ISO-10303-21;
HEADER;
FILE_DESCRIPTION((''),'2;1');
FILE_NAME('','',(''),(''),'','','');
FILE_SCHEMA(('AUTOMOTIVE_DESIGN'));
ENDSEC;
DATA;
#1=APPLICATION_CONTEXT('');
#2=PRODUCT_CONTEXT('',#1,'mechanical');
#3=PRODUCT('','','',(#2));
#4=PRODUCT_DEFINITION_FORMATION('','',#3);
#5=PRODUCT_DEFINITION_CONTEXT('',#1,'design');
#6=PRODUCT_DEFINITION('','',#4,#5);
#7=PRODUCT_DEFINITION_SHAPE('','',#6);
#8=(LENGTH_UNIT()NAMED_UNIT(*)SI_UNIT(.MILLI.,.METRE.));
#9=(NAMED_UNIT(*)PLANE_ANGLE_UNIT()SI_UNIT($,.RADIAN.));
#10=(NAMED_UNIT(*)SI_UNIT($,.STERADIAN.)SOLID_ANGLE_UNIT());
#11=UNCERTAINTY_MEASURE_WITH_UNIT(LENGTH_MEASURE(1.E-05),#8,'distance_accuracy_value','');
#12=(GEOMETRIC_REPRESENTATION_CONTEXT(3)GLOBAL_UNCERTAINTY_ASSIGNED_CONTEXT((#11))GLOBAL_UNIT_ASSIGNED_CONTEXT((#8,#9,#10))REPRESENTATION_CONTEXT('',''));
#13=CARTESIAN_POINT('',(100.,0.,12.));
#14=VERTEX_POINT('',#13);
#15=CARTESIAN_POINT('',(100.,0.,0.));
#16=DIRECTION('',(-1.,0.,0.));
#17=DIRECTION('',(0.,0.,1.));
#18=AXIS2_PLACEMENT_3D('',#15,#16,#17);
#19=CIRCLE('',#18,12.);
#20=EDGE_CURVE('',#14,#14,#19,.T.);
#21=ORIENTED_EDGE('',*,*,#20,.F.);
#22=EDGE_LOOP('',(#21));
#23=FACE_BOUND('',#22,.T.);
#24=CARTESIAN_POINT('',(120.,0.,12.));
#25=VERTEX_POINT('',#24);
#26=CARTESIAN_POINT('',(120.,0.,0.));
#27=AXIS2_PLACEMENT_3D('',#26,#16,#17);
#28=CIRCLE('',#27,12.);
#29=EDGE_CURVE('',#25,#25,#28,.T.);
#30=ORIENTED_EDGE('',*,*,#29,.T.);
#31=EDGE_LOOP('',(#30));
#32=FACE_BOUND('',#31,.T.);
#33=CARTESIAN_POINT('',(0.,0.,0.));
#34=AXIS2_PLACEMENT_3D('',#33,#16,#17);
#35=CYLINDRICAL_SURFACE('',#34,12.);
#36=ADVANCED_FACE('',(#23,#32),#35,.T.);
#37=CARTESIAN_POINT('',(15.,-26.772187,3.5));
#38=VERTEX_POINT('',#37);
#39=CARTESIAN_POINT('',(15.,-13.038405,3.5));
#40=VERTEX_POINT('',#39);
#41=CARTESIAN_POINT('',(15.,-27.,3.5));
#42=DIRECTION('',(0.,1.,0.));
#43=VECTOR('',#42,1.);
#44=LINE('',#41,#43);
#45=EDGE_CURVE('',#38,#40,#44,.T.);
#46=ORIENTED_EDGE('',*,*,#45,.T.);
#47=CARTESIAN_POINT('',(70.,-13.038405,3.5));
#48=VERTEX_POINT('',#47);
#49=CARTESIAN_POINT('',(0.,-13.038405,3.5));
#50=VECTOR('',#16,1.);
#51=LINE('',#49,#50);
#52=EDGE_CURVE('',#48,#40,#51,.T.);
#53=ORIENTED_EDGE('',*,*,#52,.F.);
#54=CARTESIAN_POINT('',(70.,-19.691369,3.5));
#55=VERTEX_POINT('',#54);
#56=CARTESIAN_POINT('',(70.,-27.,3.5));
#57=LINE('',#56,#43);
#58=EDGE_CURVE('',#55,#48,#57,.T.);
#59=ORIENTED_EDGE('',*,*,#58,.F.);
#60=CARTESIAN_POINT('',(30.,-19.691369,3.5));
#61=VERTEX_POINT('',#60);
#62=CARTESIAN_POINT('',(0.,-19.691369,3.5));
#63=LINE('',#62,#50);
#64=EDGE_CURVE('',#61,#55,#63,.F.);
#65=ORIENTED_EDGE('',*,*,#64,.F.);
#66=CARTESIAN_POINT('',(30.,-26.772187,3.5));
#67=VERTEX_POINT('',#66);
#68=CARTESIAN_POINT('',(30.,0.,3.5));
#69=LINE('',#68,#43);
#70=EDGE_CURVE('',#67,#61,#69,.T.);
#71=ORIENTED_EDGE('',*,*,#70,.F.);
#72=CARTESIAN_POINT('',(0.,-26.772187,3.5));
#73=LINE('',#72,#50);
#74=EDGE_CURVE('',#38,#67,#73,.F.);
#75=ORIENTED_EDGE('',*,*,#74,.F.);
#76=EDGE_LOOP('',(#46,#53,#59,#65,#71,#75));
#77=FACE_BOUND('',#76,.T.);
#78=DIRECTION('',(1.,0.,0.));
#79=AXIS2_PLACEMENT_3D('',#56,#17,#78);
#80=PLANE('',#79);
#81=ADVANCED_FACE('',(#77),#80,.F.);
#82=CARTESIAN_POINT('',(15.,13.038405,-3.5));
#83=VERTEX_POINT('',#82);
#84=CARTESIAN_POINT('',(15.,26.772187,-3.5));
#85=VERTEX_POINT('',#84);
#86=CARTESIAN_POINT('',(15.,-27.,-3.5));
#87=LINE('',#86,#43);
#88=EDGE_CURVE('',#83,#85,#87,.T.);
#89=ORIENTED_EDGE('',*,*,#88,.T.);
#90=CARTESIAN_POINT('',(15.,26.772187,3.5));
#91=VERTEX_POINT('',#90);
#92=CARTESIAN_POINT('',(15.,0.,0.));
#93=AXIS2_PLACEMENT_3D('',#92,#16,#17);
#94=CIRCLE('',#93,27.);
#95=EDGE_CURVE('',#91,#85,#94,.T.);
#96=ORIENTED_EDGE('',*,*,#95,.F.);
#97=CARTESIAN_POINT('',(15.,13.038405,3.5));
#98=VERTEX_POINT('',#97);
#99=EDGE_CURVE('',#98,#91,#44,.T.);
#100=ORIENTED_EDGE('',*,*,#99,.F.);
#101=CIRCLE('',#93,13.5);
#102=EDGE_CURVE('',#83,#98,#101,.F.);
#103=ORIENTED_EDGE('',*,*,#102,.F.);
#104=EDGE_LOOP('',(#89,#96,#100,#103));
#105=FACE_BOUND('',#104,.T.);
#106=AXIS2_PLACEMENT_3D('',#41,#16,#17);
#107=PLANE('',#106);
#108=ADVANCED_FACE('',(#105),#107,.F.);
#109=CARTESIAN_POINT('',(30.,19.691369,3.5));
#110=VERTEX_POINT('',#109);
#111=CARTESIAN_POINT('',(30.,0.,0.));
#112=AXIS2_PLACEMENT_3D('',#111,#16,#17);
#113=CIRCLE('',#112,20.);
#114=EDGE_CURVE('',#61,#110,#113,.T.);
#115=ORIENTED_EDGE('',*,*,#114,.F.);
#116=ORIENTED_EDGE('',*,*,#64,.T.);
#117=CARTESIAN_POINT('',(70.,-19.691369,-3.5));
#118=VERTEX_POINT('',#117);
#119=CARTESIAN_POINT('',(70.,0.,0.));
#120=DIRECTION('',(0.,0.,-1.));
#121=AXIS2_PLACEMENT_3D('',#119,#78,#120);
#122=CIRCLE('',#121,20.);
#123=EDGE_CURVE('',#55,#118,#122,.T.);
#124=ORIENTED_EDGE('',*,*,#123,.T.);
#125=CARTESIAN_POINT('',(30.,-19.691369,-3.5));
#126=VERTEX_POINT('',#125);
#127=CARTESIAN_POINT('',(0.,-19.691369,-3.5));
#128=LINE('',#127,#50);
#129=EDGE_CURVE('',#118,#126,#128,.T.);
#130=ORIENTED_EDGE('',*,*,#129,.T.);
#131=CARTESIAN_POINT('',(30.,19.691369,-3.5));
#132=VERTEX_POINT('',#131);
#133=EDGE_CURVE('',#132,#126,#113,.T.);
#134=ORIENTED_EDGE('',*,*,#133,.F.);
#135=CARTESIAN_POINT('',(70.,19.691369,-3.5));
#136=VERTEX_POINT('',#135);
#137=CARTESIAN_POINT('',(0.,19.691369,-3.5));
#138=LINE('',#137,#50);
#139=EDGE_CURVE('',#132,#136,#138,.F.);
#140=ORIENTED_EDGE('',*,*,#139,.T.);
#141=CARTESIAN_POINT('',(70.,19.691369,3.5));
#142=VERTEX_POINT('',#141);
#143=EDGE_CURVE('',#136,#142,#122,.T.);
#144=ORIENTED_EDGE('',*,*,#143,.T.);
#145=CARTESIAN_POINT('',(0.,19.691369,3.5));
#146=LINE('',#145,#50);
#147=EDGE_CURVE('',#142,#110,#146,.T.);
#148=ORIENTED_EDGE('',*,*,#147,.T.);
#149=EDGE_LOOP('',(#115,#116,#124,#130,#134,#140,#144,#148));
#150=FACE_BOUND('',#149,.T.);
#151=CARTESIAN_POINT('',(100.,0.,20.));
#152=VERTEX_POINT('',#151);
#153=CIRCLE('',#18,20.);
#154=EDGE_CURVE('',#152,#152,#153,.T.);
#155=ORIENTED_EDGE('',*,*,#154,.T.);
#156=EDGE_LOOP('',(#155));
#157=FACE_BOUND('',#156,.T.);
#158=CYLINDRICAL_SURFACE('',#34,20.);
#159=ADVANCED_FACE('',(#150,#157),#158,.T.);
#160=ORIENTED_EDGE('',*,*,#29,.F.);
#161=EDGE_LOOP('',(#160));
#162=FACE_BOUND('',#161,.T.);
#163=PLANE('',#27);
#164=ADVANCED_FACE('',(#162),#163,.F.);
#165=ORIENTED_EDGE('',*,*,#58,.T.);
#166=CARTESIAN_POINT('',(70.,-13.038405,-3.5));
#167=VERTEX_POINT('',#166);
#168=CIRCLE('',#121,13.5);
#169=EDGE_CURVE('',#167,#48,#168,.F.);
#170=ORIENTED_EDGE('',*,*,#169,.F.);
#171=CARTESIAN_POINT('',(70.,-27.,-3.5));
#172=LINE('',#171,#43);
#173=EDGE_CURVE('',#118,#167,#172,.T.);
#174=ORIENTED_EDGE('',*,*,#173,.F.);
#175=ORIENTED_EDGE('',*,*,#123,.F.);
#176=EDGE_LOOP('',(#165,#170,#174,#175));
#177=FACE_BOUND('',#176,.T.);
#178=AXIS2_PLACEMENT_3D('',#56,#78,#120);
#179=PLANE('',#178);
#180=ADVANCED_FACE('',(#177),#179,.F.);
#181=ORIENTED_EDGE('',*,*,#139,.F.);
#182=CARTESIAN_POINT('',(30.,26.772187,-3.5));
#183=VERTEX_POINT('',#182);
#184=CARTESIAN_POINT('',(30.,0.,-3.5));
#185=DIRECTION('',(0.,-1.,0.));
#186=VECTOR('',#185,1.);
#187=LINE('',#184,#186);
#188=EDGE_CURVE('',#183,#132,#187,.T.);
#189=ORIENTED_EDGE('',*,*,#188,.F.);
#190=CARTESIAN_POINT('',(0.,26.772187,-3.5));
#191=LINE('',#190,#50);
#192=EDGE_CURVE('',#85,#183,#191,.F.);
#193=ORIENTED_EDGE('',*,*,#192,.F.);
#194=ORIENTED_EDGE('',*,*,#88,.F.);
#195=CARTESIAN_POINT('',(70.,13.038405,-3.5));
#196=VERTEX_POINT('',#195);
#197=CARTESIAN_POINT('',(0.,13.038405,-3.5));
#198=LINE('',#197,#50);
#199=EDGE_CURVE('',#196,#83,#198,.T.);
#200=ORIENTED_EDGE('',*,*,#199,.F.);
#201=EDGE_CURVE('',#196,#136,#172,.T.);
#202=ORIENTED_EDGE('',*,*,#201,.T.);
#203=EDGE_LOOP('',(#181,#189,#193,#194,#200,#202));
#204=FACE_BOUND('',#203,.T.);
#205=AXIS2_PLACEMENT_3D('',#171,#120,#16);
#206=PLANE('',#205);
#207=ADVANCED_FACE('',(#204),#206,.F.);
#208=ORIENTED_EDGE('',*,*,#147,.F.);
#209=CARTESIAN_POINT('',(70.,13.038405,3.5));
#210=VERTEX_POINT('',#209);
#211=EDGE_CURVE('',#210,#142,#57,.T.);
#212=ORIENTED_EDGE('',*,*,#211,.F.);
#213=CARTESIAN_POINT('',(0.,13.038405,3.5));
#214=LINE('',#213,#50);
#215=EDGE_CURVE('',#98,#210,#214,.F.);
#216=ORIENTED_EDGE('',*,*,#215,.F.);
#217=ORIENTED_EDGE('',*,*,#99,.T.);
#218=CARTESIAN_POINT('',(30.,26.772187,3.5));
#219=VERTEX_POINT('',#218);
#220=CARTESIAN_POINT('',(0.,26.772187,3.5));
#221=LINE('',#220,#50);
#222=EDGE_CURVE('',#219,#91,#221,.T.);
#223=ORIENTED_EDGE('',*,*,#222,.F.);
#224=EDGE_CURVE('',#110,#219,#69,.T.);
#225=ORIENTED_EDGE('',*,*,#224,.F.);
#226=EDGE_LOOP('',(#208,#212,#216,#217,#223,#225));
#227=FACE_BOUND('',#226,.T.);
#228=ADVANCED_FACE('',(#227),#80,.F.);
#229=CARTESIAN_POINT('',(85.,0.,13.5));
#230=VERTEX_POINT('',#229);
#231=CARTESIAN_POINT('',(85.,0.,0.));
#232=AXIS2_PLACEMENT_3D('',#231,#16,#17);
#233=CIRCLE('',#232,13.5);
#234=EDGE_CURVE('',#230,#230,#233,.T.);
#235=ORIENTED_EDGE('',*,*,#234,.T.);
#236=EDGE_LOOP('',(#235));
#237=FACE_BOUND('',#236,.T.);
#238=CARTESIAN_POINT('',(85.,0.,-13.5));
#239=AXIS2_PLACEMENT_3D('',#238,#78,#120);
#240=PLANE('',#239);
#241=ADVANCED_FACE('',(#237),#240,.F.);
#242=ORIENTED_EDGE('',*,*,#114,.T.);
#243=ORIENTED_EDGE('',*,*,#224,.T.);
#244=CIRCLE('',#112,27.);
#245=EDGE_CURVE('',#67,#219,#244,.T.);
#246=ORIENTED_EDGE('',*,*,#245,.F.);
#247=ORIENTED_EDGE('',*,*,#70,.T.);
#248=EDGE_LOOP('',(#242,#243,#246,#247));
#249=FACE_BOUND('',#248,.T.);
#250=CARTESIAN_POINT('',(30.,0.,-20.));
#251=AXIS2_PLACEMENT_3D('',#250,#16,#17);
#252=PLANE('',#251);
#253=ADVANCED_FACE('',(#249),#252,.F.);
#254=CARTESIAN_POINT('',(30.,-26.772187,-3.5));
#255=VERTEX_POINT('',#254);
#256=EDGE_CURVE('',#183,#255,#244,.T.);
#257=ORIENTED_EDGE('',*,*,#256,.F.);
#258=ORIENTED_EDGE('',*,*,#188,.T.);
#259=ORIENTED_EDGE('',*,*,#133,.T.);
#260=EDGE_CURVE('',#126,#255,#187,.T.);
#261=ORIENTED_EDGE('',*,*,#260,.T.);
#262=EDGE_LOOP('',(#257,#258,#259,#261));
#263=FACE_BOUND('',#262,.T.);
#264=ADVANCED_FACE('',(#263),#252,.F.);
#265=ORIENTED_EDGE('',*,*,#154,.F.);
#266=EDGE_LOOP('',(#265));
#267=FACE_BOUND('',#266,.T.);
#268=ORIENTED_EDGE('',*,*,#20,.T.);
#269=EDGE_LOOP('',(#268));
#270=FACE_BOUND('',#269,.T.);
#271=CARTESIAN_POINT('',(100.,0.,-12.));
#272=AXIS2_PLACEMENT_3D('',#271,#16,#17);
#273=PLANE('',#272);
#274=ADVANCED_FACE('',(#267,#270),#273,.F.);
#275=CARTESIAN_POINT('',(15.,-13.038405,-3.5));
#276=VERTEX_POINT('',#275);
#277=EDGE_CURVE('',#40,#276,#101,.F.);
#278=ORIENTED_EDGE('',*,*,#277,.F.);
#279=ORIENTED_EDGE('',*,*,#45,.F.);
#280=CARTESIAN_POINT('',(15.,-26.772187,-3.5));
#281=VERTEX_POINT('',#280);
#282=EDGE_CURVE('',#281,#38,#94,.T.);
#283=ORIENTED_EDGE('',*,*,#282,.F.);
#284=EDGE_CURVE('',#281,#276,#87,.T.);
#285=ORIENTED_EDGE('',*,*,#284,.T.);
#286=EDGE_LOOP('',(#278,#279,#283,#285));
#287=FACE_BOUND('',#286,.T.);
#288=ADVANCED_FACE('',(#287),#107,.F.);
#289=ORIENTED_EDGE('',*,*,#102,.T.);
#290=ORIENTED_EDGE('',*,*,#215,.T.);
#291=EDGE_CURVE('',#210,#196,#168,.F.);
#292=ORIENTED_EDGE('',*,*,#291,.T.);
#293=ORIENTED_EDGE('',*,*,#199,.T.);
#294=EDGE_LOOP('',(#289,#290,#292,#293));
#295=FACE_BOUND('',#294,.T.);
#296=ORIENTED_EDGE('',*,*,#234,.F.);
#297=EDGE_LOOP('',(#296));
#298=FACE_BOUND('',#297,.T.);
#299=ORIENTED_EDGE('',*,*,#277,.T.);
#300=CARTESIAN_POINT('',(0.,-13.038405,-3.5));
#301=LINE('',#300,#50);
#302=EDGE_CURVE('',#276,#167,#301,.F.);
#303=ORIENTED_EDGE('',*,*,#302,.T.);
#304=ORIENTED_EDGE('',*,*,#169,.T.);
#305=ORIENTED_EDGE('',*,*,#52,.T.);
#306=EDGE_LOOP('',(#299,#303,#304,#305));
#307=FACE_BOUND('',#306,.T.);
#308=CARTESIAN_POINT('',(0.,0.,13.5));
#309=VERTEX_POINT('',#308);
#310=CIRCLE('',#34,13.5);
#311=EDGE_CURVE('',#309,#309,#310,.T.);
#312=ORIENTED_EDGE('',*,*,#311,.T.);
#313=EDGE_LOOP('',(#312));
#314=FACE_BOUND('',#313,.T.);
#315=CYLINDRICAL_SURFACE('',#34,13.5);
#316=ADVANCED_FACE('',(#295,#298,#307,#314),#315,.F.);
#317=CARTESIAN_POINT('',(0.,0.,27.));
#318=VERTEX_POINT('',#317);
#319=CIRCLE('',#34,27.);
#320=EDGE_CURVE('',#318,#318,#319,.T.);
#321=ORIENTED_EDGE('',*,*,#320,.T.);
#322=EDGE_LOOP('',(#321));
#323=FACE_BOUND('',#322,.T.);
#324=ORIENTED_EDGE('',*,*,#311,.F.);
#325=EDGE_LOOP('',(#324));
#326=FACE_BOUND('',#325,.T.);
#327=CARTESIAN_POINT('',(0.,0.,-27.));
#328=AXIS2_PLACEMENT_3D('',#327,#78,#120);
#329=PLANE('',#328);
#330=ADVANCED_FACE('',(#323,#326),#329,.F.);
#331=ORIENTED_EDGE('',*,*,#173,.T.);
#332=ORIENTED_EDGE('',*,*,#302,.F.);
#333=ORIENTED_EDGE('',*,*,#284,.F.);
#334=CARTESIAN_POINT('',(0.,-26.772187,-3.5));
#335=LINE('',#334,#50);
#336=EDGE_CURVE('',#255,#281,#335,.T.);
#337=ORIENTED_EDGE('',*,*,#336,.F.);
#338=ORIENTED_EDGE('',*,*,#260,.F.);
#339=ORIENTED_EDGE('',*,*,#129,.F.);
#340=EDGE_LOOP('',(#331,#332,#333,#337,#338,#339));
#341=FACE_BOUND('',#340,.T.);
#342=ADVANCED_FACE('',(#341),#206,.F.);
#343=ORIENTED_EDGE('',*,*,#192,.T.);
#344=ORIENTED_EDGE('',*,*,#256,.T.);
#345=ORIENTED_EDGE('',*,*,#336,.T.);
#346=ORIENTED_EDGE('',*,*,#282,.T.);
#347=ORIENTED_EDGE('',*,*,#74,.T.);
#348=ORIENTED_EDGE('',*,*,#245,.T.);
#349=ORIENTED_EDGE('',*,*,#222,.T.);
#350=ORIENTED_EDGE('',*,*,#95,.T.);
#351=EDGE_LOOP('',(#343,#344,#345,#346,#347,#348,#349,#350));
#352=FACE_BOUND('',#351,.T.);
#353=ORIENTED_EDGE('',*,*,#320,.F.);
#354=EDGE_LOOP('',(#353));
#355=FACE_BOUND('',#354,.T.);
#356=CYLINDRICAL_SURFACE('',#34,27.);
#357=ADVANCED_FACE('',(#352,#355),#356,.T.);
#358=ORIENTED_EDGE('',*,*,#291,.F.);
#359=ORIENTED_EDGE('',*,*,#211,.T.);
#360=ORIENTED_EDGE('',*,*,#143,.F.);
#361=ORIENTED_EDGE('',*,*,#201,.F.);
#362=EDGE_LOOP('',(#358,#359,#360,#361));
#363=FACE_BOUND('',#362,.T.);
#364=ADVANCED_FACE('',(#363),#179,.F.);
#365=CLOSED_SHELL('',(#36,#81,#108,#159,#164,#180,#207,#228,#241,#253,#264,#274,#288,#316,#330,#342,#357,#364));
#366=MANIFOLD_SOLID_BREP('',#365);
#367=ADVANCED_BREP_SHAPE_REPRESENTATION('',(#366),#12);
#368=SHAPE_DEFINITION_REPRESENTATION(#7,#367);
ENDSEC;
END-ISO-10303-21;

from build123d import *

# Parameters (mm, degrees)
CUT_EXTRUDE1_DEPTH      = 126.928551171
CUT_EXTRUDE1_DEPTH_BACK = 126.928551171
SKETCH2_W               = 55
SKETCH2_H               = 7


with BuildPart() as part:
    # Sketch1 → Revolve1 (revolve)
    with BuildSketch(Plane(origin=(0, 0, 0), x_dir=(1, 0, 0), z_dir=(0, 1, 0)), mode=Mode.PRIVATE) as revolve1_sk:
        Polygon((120, 0), (120, 12), (100, 12), (100, 20), (30, 20), (30, 27), (0, 27), (0, 13.5), (85, 13.5), (85, 0), align=None)
    revolve(revolve1_sk.sketch.rotate(Axis((0, 0, 0), (1, 0, 0)), 180), axis=Axis((0, 0, 0), (1, 0, 0)))

    # Sketch2 → Cut-Extrude1 (cut, two sides: drawn at the far end of the back side and taken through both)
    with BuildSketch(Plane(origin=(0, 0, 0), x_dir=(1, 0, 0), z_dir=(0, 1, 0)).offset(-CUT_EXTRUDE1_DEPTH_BACK)):
        with Locations((42.5, 0)):
            Rectangle(SKETCH2_W, SKETCH2_H)
    extrude(amount=CUT_EXTRUDE1_DEPTH + CUT_EXTRUDE1_DEPTH_BACK, mode=Mode.SUBTRACT)


solid = part.part
